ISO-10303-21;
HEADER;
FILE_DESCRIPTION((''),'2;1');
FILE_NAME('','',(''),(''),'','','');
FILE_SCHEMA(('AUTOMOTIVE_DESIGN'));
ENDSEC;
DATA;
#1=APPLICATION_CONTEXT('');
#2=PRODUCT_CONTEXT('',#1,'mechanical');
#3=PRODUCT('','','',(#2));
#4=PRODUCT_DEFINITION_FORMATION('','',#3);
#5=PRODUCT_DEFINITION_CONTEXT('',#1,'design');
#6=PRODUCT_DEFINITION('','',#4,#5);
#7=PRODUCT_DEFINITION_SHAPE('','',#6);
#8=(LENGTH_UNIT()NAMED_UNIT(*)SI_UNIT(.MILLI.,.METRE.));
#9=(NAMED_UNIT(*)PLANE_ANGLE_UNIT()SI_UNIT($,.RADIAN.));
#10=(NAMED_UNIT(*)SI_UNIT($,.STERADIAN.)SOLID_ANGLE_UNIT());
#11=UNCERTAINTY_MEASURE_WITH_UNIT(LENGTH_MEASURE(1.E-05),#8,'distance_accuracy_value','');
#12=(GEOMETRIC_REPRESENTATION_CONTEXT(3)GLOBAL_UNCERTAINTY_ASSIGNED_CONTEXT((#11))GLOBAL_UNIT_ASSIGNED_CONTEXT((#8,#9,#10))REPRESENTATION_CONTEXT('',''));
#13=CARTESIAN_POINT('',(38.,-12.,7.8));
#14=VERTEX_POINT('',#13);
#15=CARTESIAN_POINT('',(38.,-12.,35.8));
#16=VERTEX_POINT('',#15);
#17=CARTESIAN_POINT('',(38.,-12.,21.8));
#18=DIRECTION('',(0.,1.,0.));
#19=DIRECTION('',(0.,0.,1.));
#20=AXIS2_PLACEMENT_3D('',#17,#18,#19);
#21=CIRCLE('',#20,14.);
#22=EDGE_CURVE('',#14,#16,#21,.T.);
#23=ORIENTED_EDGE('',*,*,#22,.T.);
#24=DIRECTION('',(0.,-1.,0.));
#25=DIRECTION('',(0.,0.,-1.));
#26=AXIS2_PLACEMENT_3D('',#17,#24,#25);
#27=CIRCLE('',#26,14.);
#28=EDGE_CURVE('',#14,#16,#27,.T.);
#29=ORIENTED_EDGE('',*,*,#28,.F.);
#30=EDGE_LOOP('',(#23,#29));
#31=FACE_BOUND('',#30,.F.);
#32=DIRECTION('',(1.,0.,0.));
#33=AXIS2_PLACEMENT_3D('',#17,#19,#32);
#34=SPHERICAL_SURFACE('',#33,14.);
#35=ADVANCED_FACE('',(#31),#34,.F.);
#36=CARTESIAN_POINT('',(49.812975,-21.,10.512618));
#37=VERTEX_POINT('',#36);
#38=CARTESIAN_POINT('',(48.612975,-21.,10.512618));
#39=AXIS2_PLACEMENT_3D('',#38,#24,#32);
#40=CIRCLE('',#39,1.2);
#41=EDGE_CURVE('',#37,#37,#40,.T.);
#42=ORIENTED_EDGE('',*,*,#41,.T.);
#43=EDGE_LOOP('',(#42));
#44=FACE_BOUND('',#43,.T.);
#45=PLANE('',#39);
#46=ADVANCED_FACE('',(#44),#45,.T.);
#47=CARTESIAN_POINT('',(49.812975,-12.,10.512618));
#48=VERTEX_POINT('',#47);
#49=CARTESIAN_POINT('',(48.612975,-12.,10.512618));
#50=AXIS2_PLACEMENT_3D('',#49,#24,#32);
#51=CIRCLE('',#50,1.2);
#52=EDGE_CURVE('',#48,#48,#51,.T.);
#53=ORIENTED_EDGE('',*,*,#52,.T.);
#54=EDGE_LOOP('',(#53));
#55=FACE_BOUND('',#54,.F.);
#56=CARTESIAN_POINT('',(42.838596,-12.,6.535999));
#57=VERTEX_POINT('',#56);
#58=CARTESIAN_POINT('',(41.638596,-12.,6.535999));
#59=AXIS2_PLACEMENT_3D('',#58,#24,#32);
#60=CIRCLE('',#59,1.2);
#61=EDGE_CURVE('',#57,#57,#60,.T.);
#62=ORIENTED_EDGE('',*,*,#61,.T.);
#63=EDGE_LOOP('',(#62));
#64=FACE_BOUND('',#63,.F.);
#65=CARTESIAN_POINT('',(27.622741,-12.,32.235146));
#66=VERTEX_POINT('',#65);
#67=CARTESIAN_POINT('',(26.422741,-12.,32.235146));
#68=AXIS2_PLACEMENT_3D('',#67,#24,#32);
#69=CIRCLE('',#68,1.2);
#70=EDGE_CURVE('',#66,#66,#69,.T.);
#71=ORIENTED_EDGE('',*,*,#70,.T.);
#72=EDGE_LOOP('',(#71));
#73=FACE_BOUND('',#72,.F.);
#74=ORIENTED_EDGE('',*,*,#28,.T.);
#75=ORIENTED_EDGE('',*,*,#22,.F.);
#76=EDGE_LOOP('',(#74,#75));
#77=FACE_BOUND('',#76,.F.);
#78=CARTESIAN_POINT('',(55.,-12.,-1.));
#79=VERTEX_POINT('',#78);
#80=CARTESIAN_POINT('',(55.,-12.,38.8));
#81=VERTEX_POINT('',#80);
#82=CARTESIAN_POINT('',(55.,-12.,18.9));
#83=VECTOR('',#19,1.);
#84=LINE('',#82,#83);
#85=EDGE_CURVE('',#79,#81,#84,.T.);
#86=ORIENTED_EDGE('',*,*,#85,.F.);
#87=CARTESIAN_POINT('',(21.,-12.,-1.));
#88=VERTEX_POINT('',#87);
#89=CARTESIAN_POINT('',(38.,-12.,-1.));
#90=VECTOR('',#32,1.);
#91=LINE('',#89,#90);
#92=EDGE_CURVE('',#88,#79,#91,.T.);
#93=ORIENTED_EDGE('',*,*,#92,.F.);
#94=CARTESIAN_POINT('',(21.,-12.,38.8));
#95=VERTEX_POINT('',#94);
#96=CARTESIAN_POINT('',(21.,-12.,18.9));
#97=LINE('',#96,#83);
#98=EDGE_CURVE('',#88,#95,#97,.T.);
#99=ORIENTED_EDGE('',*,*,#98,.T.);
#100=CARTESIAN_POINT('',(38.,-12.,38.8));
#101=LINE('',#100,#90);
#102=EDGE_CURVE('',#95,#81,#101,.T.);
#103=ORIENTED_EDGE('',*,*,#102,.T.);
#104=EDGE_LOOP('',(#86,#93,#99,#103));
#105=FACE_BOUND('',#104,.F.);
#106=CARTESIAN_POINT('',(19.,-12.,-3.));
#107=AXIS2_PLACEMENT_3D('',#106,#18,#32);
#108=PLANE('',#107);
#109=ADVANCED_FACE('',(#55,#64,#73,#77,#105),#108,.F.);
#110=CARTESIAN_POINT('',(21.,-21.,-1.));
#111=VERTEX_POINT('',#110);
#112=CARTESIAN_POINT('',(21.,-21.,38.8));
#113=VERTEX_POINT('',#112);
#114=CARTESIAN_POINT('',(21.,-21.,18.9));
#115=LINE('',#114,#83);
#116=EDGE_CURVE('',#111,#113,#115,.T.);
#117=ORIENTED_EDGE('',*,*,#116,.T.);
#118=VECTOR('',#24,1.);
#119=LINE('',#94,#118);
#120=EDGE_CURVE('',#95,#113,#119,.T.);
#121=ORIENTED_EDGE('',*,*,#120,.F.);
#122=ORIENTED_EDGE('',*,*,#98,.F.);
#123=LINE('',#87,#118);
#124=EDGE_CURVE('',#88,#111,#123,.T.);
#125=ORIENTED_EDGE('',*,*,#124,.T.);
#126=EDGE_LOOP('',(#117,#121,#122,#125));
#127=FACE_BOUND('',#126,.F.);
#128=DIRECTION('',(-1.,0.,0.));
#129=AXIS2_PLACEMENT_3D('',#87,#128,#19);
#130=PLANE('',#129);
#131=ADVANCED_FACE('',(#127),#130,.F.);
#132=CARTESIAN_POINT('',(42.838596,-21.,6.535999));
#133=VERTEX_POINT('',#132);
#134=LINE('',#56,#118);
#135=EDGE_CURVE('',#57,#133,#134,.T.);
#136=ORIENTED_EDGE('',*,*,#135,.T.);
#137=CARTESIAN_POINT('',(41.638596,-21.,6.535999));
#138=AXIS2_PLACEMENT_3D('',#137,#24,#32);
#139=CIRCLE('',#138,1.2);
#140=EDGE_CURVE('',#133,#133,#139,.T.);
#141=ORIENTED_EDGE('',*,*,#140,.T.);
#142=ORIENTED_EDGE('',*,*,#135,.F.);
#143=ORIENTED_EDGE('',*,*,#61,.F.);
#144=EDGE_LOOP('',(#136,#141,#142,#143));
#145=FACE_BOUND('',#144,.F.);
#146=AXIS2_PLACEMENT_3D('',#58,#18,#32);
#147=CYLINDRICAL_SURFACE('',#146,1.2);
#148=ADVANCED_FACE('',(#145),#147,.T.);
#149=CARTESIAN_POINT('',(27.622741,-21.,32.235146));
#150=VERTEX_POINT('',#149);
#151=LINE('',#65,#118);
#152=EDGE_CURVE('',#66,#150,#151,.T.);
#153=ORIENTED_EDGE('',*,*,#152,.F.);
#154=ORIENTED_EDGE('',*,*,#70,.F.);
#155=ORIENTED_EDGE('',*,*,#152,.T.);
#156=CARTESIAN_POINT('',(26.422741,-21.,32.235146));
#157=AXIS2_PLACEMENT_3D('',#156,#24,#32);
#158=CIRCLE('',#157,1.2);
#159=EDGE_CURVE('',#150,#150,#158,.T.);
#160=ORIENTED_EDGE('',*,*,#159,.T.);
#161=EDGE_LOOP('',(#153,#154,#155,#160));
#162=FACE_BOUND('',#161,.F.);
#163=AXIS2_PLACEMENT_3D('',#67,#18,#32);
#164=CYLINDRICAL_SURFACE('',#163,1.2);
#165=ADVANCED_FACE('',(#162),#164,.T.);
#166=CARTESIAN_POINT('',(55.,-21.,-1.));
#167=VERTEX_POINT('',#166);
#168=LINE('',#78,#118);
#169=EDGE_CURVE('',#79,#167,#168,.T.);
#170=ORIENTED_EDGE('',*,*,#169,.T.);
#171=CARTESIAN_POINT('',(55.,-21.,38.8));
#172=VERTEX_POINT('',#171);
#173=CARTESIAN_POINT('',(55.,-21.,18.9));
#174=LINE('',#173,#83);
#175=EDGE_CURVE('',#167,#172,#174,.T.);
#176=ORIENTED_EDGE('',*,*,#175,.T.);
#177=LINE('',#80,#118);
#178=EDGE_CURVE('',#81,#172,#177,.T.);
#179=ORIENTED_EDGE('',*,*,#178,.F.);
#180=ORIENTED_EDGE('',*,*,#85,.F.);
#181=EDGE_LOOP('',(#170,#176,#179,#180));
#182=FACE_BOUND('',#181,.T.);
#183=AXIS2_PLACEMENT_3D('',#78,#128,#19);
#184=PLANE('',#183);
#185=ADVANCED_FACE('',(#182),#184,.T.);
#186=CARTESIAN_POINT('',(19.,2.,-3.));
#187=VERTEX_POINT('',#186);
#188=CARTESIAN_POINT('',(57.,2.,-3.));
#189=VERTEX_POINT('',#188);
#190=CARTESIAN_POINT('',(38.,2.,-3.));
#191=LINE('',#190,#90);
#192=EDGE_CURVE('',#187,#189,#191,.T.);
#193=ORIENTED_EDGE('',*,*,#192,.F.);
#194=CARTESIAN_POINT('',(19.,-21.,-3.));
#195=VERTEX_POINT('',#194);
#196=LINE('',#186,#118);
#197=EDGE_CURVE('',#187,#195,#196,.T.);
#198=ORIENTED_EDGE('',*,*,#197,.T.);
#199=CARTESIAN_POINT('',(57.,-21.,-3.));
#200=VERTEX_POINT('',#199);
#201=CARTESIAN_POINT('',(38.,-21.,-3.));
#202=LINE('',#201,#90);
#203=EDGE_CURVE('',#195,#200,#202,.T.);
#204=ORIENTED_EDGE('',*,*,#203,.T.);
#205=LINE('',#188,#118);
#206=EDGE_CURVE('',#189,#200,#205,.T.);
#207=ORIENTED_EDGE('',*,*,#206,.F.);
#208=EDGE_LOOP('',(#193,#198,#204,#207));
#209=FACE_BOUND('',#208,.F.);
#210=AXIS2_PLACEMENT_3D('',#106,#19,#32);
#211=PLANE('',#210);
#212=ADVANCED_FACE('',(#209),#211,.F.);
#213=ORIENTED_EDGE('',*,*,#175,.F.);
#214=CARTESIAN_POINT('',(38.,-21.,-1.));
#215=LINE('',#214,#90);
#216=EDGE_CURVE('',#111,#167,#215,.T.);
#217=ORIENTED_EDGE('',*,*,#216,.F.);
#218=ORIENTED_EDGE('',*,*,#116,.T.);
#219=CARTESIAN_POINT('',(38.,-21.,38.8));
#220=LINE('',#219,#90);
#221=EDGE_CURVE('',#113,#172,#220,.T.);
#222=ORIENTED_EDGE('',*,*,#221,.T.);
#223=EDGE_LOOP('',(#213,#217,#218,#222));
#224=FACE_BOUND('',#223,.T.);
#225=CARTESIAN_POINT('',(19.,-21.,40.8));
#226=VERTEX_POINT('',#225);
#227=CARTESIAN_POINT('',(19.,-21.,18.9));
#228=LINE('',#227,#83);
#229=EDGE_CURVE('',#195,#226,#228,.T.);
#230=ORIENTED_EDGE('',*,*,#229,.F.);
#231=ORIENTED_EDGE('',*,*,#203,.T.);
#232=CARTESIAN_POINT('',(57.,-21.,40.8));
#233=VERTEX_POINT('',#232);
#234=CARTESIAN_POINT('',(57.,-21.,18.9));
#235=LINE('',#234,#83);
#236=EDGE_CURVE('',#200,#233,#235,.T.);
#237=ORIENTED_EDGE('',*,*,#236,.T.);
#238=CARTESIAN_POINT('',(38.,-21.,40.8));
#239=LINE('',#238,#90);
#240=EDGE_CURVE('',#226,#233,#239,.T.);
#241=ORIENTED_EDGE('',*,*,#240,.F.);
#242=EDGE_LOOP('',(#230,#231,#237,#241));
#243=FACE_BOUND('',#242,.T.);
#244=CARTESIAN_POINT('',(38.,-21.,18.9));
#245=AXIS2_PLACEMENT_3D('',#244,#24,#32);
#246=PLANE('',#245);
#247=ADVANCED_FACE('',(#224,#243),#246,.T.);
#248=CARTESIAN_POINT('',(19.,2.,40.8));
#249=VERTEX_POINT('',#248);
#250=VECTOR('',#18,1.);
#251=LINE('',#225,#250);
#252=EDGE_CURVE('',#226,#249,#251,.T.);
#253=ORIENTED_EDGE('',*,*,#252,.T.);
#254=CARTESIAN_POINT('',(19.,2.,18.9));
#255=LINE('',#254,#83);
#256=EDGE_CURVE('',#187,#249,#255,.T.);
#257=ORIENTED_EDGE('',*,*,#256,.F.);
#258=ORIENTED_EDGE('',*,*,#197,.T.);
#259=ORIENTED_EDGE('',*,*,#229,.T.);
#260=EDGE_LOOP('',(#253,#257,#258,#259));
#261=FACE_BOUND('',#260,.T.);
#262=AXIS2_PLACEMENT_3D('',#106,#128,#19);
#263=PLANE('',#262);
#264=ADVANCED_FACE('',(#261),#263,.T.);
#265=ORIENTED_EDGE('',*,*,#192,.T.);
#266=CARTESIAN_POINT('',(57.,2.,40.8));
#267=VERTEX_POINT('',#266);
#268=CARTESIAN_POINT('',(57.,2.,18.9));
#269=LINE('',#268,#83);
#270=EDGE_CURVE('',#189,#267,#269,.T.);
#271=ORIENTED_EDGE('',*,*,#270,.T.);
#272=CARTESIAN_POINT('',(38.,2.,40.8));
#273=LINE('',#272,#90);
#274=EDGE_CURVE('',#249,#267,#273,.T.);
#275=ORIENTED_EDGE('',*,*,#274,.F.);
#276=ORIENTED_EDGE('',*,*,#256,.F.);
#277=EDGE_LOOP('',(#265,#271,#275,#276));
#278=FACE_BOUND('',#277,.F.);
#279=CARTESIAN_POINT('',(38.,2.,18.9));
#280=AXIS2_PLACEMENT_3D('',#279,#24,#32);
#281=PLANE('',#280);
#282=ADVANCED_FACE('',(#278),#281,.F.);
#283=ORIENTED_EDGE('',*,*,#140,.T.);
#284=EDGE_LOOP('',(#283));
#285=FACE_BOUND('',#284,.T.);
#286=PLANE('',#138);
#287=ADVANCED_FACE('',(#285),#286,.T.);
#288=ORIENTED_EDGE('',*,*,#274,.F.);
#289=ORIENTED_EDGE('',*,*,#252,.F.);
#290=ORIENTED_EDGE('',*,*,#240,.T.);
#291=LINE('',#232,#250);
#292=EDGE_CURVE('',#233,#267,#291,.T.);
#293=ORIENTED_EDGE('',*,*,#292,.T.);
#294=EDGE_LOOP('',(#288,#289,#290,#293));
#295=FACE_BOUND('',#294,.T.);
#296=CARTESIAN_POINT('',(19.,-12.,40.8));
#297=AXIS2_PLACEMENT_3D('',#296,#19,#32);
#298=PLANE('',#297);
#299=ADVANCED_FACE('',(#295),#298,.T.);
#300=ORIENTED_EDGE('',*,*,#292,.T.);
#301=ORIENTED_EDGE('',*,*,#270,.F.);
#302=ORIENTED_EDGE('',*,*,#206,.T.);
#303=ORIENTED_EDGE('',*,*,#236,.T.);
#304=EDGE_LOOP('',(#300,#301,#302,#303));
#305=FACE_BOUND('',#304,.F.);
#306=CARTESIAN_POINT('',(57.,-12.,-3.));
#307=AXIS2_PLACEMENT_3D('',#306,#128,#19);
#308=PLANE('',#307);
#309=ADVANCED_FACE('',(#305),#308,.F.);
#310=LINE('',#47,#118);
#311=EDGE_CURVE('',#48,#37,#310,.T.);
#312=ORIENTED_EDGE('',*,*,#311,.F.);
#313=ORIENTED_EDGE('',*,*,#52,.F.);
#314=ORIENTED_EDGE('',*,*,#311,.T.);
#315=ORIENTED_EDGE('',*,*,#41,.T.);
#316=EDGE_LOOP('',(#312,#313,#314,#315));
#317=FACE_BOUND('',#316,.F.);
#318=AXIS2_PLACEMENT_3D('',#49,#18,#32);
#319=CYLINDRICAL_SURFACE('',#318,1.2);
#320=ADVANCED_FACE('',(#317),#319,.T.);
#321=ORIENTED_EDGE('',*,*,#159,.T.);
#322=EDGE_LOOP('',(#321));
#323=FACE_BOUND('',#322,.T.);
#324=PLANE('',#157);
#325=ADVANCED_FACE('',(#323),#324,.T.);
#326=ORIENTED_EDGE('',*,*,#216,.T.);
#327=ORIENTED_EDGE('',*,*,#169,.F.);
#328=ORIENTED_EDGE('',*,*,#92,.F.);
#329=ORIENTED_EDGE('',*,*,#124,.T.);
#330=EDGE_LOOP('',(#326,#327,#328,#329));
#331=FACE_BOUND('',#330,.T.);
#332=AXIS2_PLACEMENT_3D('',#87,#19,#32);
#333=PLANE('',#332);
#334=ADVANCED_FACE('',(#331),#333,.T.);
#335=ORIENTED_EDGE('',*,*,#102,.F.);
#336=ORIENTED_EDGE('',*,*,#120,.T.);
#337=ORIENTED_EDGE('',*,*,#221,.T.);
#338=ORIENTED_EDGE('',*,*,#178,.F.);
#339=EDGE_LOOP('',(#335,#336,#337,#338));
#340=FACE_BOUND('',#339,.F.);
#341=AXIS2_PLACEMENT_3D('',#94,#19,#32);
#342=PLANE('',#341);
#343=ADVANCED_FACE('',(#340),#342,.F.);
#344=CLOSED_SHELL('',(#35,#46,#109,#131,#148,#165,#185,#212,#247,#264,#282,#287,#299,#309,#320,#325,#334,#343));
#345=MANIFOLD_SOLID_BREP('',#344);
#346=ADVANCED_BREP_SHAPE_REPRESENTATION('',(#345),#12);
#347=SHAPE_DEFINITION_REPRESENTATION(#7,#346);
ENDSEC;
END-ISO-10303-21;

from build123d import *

# Parameters (mm, degrees)
CUBE002_W     = 38
CUBE002_H     = 3
CUBE002_DEPTH = 43.8
CUBE001_W     = 38
CUBE001_H     = 19
CUBE001_DEPTH = 43.8
SKETCH002_W   = 38
SKETCH002_H   = 43.8
PAD002_DEPTH  = 17
SKETCH003_R   = 1.2
PAD003_DEPTH  = 9
SKETCH004_W   = 38
SKETCH004_H   = 43.8
SKETCH004_W_2 = 34
SKETCH004_H_2 = 39.8
PAD004_DEPTH  = 9


with BuildPart() as cube002:
    # cube002 → cube002 (new body)
    with BuildSketch(Plane(origin=(-19, -3, 0), x_dir=(1, 0, 0), z_dir=(0, 0, 1))):
        with Locations((19, 1.5)):
            Rectangle(CUBE002_W, CUBE002_H)
    extrude(amount=CUBE002_DEPTH)


with BuildPart() as cube001:
    # cube001 → cube001 (new body)
    with BuildSketch(Plane(origin=(-19, 0, 0), x_dir=(1, 0, 0), z_dir=(0, 0, 1))):
        with Locations((19, 9.5)):
            Rectangle(CUBE001_W, CUBE001_H)
    extrude(amount=CUBE001_DEPTH)


with BuildPart() as group003:
    # sphere001 → sphere001 (revolve)
    with BuildSketch(Plane(origin=(0, 0, 24.8), x_dir=(1, 0, 0), z_dir=(0, -1, 0))):
        with BuildLine():
            ThreePointArc((0, -14), (14, 0), (0, 14))
            Line((0, 14), (0, -14))
        make_face()
    revolve(axis=Axis((0, 0, 24.8), (0, 0, 1)))

    # intersection: intersect cube001
    add(cube001.part, mode=Mode.INTERSECT)

    # Group003: union cube002
    add(cube002.part)


with BuildPart() as pad004:
    # Pad002 base: copy of Group003
    add(group003.part)

    # Sketch002 → Pad002 (new body)
    with BuildSketch(Plane.XZ.offset(3)):
        with Locations((0, 21.9)):
            Rectangle(SKETCH002_W, SKETCH002_H)
    extrude(amount=-PAD002_DEPTH)

    # Cut: cut Group003
    add(group003.part, mode=Mode.SUBTRACT)


with BuildPart() as pad004_1:
    # Cut placement: moved
    add(pad004.part.moved(Location((38, -12, -3))))

    # Sketch003 → Pad003 (new body)
    with BuildSketch(Plane(origin=(38, -12, -3), x_dir=(1, 0, 0), z_dir=(0, -1, 0))):
        with Locations((-11.577259, 35.235146)):
            Circle(SKETCH003_R)
        with Locations((10.612975, 13.512618)):
            Circle(SKETCH003_R)
        with Locations((3.638596, 9.535999)):
            Circle(SKETCH003_R)
    extrude(amount=PAD003_DEPTH)

    # Sketch004 → Pad004 (new body)
    with BuildSketch(Plane(origin=(38, -12, -3), x_dir=(1, 0, 0), z_dir=(0, -1, 0))):
        with Locations((0, 21.9)):
            Rectangle(SKETCH004_W, SKETCH004_H)
        with Locations((0, 21.9)):
            Rectangle(SKETCH004_W_2, SKETCH004_H_2, mode=Mode.SUBTRACT)
    extrude(amount=PAD004_DEPTH)


solid = pad004_1.part
